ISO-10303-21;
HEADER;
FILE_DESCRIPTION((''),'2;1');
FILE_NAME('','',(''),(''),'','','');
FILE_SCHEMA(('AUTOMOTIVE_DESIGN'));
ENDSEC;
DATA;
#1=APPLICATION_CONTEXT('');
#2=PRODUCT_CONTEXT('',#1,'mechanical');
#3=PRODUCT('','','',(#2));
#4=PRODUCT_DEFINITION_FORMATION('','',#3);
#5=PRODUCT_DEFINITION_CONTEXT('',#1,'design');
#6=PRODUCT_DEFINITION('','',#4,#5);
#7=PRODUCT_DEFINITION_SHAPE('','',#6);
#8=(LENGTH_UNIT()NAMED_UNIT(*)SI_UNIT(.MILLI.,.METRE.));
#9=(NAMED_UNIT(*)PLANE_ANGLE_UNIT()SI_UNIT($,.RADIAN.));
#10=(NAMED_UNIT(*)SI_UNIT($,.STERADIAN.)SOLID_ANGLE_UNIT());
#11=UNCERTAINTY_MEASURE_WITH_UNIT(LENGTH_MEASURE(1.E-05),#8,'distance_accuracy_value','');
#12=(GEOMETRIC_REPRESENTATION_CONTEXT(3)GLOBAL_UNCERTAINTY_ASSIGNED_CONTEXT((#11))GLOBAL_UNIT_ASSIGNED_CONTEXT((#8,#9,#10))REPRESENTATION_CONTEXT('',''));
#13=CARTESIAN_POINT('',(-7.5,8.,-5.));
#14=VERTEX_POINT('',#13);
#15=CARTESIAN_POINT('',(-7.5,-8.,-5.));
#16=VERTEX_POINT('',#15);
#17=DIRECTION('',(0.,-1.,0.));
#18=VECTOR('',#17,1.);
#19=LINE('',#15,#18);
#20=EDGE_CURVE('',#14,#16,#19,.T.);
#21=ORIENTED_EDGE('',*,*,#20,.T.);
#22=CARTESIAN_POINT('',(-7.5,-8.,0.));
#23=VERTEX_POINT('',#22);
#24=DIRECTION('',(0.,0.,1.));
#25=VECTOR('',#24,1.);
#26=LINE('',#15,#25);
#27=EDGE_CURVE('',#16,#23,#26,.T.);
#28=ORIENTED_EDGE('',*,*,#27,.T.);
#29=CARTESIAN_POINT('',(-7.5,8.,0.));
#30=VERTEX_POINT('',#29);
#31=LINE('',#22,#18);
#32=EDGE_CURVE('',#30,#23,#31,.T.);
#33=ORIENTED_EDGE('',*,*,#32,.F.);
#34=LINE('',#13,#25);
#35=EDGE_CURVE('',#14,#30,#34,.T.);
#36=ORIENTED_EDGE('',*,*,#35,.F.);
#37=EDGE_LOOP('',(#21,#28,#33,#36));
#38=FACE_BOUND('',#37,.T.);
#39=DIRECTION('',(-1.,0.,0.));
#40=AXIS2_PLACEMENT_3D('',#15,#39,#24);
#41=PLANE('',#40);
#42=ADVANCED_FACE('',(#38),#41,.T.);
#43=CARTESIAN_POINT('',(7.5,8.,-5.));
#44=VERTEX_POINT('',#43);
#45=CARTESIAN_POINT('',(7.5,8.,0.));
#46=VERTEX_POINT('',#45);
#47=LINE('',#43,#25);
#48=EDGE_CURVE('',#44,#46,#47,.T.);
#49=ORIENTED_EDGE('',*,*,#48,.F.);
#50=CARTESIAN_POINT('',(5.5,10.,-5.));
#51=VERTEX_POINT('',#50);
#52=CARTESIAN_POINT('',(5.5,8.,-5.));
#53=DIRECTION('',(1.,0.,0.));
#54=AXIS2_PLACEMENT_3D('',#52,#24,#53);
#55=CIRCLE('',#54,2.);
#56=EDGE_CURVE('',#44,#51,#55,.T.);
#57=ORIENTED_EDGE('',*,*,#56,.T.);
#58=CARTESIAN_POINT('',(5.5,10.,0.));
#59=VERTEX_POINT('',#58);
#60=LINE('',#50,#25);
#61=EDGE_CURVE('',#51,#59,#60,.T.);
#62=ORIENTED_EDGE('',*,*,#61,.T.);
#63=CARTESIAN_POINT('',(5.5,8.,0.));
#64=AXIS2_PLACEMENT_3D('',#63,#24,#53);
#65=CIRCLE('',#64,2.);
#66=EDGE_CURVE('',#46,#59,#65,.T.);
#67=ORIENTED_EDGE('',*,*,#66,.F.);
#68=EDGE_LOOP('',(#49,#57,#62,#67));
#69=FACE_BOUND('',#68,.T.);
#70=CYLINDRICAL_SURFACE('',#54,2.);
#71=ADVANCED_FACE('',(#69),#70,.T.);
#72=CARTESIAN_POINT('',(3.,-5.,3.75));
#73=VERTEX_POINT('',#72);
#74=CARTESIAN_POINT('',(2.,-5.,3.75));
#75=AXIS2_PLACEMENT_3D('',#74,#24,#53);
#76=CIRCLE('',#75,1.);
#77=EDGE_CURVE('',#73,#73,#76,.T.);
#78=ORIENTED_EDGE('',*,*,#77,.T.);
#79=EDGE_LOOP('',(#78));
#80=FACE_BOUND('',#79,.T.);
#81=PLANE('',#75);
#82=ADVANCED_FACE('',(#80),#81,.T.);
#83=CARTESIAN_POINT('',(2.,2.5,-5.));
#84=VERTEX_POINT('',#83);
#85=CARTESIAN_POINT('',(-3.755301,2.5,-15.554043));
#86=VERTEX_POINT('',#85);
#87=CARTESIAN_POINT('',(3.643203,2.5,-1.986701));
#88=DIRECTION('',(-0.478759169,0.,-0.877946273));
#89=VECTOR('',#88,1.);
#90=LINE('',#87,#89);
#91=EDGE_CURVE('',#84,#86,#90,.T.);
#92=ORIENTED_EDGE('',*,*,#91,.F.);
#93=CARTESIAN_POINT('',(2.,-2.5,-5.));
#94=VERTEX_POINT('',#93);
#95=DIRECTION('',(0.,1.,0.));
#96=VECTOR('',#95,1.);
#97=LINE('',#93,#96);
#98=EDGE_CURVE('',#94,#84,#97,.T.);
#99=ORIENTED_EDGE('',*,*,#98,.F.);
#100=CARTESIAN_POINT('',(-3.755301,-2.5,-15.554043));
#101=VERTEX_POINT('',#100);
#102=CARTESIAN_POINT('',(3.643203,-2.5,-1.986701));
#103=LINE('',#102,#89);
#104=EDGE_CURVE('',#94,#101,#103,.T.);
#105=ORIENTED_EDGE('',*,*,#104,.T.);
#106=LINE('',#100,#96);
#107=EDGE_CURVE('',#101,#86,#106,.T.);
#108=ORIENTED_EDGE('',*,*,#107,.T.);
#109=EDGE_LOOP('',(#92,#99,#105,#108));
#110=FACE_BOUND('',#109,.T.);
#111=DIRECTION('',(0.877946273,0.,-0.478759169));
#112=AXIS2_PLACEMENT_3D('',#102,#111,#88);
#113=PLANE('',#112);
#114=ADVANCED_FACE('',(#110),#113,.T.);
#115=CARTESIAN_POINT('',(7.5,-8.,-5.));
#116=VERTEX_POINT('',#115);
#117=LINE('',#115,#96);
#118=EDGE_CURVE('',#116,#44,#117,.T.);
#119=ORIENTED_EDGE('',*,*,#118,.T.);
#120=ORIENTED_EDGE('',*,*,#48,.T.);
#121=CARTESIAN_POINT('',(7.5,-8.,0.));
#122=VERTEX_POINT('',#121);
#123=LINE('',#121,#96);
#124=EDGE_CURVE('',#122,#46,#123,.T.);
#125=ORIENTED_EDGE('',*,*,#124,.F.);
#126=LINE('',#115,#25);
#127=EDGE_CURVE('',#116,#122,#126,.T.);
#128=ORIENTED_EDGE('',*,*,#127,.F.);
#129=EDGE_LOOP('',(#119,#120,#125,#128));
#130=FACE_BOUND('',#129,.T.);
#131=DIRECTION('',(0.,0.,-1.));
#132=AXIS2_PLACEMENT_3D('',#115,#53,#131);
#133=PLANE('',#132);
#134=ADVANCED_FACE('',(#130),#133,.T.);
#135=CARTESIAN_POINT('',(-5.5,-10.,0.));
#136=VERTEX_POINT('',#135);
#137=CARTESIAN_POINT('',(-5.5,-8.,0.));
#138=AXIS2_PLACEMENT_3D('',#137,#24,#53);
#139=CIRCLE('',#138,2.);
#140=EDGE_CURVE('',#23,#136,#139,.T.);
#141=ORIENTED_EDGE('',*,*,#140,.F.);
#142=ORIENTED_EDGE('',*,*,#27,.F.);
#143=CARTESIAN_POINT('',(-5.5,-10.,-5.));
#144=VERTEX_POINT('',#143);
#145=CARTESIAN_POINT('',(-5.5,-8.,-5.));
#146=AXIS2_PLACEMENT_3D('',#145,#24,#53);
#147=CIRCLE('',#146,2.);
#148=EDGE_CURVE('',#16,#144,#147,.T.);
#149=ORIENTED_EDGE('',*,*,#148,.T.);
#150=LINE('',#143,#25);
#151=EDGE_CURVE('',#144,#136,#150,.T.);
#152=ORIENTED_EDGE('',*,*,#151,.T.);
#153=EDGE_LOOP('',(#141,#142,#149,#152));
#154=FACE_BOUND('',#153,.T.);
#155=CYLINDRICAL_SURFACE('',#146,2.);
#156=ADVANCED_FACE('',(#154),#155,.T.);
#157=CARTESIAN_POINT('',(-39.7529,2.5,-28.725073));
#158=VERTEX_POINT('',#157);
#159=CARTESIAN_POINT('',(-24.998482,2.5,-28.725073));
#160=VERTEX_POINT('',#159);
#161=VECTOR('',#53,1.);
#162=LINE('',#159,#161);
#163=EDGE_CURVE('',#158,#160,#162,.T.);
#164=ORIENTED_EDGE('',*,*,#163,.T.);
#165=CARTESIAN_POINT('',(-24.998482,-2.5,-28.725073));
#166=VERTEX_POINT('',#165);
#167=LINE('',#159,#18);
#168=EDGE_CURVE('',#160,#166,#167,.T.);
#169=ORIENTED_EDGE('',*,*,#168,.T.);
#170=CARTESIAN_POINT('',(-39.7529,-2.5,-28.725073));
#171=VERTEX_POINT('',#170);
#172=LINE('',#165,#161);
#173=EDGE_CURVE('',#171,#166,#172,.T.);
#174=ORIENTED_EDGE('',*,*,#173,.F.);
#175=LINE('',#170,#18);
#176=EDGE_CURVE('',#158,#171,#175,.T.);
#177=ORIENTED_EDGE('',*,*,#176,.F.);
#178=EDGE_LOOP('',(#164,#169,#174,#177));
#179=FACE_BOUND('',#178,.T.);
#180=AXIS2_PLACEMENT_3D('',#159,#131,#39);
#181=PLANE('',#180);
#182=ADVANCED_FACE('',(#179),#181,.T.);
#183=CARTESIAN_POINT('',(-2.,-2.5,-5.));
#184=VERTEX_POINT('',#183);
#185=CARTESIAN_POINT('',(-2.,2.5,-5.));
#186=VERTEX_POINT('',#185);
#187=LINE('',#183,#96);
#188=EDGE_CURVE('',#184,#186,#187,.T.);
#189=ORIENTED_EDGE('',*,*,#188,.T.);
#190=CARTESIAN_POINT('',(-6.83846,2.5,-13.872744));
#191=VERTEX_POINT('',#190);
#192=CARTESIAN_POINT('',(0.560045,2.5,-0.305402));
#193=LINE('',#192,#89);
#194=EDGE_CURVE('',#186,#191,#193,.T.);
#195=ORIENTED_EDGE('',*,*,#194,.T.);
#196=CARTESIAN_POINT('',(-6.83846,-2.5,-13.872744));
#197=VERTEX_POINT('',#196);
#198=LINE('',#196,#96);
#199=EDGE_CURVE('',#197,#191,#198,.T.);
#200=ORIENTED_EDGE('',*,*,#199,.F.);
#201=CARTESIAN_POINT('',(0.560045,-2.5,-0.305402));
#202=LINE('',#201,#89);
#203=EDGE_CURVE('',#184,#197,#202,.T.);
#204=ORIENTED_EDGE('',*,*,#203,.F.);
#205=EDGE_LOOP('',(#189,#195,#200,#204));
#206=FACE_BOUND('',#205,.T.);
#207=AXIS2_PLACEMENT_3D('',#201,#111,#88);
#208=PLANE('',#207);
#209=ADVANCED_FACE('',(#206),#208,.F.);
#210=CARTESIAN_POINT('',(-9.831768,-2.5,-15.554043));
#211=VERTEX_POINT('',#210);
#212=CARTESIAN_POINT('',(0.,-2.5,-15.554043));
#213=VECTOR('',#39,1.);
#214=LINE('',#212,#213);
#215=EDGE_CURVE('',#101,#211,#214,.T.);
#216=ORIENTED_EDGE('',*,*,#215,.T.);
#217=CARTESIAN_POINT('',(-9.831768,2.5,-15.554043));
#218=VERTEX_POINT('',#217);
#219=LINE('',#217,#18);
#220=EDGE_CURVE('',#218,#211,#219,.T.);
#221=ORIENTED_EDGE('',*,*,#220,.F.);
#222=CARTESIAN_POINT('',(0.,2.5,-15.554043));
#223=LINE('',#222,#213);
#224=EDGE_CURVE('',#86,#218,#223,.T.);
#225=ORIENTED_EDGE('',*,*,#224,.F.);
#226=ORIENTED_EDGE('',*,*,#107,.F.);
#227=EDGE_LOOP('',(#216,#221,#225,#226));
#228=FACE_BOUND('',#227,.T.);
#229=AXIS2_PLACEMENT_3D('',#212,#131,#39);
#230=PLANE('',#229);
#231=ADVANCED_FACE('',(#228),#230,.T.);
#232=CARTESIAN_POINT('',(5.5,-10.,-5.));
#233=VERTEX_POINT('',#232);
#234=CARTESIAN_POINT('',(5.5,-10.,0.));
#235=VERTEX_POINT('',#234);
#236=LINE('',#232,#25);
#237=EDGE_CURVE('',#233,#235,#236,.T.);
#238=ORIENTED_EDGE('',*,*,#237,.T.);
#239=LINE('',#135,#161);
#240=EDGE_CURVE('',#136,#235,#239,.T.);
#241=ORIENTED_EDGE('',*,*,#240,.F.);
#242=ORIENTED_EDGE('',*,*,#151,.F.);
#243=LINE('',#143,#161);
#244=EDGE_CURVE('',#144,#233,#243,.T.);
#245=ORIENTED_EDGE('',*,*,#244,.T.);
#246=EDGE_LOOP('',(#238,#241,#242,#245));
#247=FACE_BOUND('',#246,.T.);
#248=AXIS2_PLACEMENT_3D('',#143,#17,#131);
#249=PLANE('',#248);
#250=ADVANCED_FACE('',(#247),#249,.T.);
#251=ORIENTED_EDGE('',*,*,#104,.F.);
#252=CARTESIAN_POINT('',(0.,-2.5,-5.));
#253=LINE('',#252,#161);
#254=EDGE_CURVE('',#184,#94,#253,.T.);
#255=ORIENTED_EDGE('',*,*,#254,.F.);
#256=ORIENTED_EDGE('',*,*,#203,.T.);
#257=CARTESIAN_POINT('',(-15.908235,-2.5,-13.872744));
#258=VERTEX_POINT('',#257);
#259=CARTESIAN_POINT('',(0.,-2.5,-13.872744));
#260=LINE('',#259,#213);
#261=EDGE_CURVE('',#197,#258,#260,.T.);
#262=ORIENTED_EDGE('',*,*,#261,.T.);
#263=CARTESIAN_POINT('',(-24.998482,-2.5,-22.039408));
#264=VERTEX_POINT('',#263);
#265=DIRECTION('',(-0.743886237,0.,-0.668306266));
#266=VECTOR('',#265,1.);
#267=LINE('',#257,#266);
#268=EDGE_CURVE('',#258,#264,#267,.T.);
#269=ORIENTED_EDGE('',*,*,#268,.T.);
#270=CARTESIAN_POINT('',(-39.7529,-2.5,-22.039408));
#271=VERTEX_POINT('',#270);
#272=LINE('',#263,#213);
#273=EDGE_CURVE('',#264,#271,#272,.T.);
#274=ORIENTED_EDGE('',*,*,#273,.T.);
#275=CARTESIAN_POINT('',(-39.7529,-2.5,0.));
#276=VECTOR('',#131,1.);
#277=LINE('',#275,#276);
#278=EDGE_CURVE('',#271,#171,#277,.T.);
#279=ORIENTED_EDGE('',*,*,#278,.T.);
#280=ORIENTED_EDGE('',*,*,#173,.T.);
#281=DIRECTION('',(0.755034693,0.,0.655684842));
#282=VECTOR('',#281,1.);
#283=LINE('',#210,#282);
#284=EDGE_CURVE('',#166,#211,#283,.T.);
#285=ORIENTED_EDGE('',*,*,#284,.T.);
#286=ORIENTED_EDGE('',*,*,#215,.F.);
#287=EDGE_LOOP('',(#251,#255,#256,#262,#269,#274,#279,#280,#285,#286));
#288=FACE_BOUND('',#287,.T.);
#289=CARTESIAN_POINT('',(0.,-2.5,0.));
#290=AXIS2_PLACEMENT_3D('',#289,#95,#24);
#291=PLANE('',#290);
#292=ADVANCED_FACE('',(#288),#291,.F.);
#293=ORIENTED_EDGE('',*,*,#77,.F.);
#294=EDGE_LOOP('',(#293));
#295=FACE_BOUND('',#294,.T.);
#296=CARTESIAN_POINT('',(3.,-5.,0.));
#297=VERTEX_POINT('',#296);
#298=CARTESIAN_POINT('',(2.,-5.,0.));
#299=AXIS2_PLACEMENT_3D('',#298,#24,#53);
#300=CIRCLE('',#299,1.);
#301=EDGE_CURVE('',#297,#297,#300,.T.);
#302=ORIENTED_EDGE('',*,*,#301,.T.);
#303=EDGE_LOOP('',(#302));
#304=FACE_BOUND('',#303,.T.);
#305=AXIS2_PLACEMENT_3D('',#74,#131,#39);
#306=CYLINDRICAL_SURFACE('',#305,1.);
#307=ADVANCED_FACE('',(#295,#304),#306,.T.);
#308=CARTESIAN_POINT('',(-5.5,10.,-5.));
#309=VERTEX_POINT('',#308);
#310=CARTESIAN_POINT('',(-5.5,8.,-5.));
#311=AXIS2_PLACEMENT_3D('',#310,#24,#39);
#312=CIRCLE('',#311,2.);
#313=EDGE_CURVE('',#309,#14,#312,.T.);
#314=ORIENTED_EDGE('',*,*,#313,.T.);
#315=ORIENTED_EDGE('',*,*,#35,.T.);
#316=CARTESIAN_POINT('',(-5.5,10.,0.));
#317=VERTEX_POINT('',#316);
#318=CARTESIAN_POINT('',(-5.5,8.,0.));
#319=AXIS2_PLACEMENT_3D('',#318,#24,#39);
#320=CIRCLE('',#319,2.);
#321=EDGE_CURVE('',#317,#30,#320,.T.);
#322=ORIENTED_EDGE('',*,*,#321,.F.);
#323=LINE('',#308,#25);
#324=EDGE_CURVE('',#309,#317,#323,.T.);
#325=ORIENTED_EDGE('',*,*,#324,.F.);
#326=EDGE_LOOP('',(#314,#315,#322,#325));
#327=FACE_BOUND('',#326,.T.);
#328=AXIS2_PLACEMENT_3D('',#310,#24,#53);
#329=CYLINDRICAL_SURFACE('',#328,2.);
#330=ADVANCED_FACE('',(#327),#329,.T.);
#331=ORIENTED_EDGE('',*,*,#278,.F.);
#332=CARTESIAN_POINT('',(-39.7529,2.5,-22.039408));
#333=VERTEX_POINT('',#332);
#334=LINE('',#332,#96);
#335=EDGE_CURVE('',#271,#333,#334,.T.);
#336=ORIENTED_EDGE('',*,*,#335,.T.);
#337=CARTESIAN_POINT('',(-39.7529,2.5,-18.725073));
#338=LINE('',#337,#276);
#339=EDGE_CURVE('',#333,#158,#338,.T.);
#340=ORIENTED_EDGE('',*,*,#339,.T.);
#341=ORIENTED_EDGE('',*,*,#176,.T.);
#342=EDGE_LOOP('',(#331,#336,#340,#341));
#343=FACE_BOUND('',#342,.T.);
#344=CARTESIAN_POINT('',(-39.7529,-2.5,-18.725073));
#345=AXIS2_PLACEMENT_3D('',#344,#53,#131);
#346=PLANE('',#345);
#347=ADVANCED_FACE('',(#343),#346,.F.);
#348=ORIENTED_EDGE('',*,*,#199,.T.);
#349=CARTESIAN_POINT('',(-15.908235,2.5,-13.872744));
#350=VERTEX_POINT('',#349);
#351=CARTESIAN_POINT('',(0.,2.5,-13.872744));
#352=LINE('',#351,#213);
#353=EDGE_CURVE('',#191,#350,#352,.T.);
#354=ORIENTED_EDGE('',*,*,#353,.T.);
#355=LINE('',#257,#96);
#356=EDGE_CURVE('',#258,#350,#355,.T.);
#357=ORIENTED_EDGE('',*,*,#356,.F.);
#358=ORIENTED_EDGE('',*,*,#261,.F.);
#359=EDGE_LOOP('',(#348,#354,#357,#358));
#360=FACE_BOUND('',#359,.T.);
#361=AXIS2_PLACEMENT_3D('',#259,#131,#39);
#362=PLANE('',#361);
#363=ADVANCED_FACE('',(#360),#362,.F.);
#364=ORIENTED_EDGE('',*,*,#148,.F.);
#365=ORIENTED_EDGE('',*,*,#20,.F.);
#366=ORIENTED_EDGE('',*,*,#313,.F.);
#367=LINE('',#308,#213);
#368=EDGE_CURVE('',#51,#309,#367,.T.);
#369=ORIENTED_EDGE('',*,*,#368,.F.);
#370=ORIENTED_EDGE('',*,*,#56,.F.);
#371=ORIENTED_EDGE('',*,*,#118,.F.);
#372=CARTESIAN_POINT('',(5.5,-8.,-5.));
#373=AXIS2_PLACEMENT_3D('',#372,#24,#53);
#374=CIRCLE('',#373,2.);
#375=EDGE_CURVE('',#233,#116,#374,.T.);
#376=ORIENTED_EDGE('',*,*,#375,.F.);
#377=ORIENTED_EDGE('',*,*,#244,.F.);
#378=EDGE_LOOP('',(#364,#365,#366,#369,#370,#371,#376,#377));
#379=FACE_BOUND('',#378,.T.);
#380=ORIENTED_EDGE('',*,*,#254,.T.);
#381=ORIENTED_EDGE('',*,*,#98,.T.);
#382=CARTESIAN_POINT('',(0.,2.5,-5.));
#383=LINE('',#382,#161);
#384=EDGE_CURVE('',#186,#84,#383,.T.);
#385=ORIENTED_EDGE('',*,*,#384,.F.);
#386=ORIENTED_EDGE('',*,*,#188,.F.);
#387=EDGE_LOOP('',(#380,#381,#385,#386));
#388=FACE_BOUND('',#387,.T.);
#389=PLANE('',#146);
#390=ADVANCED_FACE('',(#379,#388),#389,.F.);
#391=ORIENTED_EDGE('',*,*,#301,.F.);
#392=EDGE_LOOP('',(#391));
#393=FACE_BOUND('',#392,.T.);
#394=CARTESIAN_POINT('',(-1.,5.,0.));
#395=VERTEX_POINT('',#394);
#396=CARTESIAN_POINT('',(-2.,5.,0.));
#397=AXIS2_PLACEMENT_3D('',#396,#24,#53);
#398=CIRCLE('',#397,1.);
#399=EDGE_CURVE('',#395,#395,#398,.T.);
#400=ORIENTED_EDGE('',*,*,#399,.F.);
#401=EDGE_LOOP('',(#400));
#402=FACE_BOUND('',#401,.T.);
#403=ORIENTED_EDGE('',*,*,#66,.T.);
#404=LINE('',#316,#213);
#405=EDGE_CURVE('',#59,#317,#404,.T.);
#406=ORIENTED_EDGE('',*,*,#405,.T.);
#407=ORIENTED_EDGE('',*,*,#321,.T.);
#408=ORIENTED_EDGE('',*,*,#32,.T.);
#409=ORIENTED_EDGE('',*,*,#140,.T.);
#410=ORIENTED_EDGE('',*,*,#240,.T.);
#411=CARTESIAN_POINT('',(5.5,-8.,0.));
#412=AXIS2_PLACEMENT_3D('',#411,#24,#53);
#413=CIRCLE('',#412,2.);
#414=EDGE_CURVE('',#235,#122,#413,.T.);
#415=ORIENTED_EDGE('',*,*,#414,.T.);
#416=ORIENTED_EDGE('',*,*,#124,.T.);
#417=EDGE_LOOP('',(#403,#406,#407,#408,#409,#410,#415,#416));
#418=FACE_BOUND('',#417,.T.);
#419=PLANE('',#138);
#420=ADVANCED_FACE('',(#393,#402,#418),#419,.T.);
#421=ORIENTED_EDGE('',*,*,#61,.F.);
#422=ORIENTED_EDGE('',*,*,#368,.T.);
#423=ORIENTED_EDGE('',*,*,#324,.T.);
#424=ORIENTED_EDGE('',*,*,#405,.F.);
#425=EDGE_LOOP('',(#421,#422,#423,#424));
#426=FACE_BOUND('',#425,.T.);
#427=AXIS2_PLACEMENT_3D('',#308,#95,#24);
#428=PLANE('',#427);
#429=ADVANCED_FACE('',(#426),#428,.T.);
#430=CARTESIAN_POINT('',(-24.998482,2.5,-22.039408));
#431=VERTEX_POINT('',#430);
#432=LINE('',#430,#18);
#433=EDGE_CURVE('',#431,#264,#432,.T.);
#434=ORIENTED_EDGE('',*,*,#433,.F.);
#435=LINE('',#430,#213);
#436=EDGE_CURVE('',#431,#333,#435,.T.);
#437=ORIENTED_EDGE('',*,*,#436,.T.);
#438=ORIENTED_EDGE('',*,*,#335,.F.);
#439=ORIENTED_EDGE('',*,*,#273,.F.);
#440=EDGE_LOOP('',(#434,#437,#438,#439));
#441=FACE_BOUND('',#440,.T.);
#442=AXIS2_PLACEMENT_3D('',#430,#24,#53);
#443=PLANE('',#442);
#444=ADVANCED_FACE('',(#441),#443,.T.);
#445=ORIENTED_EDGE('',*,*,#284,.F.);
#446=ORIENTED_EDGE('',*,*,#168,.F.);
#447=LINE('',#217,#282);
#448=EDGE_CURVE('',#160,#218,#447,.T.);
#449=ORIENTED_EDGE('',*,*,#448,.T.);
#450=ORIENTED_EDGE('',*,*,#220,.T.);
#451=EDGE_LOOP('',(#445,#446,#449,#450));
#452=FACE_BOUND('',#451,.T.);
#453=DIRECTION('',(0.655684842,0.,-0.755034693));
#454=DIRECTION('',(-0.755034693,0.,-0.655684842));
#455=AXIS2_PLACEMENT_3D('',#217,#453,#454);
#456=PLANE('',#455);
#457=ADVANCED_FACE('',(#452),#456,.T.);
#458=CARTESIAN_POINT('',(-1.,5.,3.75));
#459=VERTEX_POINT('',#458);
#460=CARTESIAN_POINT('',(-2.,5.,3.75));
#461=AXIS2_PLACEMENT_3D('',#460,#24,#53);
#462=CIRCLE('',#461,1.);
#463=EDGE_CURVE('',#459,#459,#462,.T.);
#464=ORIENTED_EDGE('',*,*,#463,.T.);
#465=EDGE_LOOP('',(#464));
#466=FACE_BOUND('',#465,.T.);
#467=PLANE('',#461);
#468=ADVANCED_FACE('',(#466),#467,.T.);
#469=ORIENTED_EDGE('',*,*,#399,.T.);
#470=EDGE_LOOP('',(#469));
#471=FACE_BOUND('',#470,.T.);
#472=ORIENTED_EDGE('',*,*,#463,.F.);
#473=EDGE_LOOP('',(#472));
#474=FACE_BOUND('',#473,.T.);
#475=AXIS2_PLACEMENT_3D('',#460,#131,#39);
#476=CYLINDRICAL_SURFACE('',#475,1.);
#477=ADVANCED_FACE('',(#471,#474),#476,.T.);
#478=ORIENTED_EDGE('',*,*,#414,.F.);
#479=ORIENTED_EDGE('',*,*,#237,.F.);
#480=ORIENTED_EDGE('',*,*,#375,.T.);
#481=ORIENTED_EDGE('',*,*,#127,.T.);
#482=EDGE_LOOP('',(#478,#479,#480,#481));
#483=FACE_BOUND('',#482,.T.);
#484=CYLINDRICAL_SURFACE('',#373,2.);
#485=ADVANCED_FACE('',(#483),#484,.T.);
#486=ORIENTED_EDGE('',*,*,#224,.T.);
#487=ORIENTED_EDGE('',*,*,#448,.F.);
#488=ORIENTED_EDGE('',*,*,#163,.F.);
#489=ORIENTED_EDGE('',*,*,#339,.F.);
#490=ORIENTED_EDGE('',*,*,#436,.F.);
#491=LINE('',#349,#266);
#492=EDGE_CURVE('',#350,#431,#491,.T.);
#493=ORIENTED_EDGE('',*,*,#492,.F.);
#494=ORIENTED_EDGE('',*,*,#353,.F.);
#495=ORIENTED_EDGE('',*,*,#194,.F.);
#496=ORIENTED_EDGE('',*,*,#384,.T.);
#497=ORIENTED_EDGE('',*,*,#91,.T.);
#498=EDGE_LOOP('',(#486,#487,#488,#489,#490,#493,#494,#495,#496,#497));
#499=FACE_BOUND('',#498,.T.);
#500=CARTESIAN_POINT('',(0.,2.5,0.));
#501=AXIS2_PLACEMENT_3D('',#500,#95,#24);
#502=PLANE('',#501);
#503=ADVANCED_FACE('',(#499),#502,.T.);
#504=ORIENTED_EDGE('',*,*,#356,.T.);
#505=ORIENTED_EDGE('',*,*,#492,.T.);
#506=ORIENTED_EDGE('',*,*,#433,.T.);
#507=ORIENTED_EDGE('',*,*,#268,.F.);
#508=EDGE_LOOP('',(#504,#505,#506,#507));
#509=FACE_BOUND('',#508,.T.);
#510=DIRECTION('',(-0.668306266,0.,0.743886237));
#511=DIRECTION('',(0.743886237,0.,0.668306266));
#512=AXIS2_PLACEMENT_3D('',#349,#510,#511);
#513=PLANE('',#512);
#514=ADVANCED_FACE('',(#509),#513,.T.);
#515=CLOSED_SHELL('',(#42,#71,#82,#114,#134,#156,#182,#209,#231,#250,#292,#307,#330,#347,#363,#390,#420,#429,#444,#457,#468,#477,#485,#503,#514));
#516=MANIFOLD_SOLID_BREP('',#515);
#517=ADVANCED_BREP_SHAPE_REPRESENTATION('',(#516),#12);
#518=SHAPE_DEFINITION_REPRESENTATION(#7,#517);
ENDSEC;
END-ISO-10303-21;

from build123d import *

# Parameters (mm, degrees)
ESQUISSE1_R             = 1
BOSS_EXTRU_1_DEPTH      = 3.75
BOSS_EXTRU_1_2_DEPTH    = 3.75
BOSS_EXTRU_2_DEPTH      = 5
BOSS_EXTRU_3_DEPTH      = 2.5
BOSS_EXTRU_3_DEPTH_BACK = 2.5
BOSS_EXTRU_4_START      = -5
BOSS_EXTRU_4_DEPTH      = 5
ENL_V_MAT_EXTRU_1_DEPTH = 10


with BuildPart() as part:
    # Esquisse1 → Boss.-Extru.1 (new body)
    with BuildSketch(Plane.XY):
        with Locations((-2, 5)):
            Circle(ESQUISSE1_R)
    extrude(amount=BOSS_EXTRU_1_DEPTH)



with BuildPart() as body_2:
    # Esquisse1 → Boss.-Extru.1 2 (new body)
    with BuildSketch(Plane.XY):
        with Locations((2, -5)):
            Circle(ESQUISSE1_R)
    extrude(amount=BOSS_EXTRU_1_2_DEPTH)


with BuildPart() as part_1:
    add(part.part)

    add(body_2.part)  # Boss.-Extru.2 merges body 2
    # Esquisse2 → Boss.-Extru.2 (add)
    with BuildSketch(Plane.XY):
        with BuildLine():
            Line((-5.5, -10), (5.5, -10))
            ThreePointArc((5.5, -10), (6.914213562, -9.414213562), (7.5, -8))
            Line((7.5, -8), (7.5, 8))
            ThreePointArc((7.5, 8), (6.914213562, 9.414213562), (5.5, 10))
            Line((5.5, 10), (-5.5, 10))
            ThreePointArc((-5.5, 10), (-6.914213562, 9.414213562), (-7.5, 8))
            Line((-7.5, 8), (-7.5, -8))
            ThreePointArc((-7.5, -8), (-6.914213562, -9.414213562), (-5.5, -10))
        make_face()
    extrude(amount=-BOSS_EXTRU_2_DEPTH)

    # Esquisse3 → Boss.-Extru.3 (add, two sides: drawn at the far end of the back side and taken through both)
    with BuildSketch(Plane(origin=(0, 0, 0), x_dir=(1, 0, 0), z_dir=(0, 1, 0)).offset(-BOSS_EXTRU_3_DEPTH_BACK)):
        Polygon((-15.908235074, 13.872743974), (-15.908235074, 15.554043285), (-3.755300915, 15.554043285), (2, 5), (-2, 5), (-6.838459549, 13.872743974), align=None)
    extrude(amount=BOSS_EXTRU_3_DEPTH + BOSS_EXTRU_3_DEPTH_BACK)

    # Esquisse4 → Boss.-Extru.4 (add)
    with BuildSketch(Plane.XZ.offset(2.5).offset(BOSS_EXTRU_4_START)):
        Polygon((-9.831767995, -15.554043285), (-24.998481753, -28.725072904), (-74.998481753, -28.725072904), (-74.998481753, -22.039407789), (-24.998481753, -22.039407789), (-15.908235074, -13.872743974), align=None)
    extrude(amount=BOSS_EXTRU_4_DEPTH)

    # Esquisse6 → Enlèv. mat.-Extru.1 (cut)
    with BuildSketch(Plane(origin=(0, 0, -28.725072904), x_dir=(-1, 0, 0), z_dir=(0, 0, -1))):
        Polygon((39.752900497, -2.5), (39.752900497, 2.5), (50.637754923, 9.880645694), (75.638904933, 6.190322847), (75.638904933, -4.915953291), (39.752900497, -8.60093005), align=None)
    extrude(amount=-ENL_V_MAT_EXTRU_1_DEPTH, mode=Mode.SUBTRACT)


solid = part_1.part
